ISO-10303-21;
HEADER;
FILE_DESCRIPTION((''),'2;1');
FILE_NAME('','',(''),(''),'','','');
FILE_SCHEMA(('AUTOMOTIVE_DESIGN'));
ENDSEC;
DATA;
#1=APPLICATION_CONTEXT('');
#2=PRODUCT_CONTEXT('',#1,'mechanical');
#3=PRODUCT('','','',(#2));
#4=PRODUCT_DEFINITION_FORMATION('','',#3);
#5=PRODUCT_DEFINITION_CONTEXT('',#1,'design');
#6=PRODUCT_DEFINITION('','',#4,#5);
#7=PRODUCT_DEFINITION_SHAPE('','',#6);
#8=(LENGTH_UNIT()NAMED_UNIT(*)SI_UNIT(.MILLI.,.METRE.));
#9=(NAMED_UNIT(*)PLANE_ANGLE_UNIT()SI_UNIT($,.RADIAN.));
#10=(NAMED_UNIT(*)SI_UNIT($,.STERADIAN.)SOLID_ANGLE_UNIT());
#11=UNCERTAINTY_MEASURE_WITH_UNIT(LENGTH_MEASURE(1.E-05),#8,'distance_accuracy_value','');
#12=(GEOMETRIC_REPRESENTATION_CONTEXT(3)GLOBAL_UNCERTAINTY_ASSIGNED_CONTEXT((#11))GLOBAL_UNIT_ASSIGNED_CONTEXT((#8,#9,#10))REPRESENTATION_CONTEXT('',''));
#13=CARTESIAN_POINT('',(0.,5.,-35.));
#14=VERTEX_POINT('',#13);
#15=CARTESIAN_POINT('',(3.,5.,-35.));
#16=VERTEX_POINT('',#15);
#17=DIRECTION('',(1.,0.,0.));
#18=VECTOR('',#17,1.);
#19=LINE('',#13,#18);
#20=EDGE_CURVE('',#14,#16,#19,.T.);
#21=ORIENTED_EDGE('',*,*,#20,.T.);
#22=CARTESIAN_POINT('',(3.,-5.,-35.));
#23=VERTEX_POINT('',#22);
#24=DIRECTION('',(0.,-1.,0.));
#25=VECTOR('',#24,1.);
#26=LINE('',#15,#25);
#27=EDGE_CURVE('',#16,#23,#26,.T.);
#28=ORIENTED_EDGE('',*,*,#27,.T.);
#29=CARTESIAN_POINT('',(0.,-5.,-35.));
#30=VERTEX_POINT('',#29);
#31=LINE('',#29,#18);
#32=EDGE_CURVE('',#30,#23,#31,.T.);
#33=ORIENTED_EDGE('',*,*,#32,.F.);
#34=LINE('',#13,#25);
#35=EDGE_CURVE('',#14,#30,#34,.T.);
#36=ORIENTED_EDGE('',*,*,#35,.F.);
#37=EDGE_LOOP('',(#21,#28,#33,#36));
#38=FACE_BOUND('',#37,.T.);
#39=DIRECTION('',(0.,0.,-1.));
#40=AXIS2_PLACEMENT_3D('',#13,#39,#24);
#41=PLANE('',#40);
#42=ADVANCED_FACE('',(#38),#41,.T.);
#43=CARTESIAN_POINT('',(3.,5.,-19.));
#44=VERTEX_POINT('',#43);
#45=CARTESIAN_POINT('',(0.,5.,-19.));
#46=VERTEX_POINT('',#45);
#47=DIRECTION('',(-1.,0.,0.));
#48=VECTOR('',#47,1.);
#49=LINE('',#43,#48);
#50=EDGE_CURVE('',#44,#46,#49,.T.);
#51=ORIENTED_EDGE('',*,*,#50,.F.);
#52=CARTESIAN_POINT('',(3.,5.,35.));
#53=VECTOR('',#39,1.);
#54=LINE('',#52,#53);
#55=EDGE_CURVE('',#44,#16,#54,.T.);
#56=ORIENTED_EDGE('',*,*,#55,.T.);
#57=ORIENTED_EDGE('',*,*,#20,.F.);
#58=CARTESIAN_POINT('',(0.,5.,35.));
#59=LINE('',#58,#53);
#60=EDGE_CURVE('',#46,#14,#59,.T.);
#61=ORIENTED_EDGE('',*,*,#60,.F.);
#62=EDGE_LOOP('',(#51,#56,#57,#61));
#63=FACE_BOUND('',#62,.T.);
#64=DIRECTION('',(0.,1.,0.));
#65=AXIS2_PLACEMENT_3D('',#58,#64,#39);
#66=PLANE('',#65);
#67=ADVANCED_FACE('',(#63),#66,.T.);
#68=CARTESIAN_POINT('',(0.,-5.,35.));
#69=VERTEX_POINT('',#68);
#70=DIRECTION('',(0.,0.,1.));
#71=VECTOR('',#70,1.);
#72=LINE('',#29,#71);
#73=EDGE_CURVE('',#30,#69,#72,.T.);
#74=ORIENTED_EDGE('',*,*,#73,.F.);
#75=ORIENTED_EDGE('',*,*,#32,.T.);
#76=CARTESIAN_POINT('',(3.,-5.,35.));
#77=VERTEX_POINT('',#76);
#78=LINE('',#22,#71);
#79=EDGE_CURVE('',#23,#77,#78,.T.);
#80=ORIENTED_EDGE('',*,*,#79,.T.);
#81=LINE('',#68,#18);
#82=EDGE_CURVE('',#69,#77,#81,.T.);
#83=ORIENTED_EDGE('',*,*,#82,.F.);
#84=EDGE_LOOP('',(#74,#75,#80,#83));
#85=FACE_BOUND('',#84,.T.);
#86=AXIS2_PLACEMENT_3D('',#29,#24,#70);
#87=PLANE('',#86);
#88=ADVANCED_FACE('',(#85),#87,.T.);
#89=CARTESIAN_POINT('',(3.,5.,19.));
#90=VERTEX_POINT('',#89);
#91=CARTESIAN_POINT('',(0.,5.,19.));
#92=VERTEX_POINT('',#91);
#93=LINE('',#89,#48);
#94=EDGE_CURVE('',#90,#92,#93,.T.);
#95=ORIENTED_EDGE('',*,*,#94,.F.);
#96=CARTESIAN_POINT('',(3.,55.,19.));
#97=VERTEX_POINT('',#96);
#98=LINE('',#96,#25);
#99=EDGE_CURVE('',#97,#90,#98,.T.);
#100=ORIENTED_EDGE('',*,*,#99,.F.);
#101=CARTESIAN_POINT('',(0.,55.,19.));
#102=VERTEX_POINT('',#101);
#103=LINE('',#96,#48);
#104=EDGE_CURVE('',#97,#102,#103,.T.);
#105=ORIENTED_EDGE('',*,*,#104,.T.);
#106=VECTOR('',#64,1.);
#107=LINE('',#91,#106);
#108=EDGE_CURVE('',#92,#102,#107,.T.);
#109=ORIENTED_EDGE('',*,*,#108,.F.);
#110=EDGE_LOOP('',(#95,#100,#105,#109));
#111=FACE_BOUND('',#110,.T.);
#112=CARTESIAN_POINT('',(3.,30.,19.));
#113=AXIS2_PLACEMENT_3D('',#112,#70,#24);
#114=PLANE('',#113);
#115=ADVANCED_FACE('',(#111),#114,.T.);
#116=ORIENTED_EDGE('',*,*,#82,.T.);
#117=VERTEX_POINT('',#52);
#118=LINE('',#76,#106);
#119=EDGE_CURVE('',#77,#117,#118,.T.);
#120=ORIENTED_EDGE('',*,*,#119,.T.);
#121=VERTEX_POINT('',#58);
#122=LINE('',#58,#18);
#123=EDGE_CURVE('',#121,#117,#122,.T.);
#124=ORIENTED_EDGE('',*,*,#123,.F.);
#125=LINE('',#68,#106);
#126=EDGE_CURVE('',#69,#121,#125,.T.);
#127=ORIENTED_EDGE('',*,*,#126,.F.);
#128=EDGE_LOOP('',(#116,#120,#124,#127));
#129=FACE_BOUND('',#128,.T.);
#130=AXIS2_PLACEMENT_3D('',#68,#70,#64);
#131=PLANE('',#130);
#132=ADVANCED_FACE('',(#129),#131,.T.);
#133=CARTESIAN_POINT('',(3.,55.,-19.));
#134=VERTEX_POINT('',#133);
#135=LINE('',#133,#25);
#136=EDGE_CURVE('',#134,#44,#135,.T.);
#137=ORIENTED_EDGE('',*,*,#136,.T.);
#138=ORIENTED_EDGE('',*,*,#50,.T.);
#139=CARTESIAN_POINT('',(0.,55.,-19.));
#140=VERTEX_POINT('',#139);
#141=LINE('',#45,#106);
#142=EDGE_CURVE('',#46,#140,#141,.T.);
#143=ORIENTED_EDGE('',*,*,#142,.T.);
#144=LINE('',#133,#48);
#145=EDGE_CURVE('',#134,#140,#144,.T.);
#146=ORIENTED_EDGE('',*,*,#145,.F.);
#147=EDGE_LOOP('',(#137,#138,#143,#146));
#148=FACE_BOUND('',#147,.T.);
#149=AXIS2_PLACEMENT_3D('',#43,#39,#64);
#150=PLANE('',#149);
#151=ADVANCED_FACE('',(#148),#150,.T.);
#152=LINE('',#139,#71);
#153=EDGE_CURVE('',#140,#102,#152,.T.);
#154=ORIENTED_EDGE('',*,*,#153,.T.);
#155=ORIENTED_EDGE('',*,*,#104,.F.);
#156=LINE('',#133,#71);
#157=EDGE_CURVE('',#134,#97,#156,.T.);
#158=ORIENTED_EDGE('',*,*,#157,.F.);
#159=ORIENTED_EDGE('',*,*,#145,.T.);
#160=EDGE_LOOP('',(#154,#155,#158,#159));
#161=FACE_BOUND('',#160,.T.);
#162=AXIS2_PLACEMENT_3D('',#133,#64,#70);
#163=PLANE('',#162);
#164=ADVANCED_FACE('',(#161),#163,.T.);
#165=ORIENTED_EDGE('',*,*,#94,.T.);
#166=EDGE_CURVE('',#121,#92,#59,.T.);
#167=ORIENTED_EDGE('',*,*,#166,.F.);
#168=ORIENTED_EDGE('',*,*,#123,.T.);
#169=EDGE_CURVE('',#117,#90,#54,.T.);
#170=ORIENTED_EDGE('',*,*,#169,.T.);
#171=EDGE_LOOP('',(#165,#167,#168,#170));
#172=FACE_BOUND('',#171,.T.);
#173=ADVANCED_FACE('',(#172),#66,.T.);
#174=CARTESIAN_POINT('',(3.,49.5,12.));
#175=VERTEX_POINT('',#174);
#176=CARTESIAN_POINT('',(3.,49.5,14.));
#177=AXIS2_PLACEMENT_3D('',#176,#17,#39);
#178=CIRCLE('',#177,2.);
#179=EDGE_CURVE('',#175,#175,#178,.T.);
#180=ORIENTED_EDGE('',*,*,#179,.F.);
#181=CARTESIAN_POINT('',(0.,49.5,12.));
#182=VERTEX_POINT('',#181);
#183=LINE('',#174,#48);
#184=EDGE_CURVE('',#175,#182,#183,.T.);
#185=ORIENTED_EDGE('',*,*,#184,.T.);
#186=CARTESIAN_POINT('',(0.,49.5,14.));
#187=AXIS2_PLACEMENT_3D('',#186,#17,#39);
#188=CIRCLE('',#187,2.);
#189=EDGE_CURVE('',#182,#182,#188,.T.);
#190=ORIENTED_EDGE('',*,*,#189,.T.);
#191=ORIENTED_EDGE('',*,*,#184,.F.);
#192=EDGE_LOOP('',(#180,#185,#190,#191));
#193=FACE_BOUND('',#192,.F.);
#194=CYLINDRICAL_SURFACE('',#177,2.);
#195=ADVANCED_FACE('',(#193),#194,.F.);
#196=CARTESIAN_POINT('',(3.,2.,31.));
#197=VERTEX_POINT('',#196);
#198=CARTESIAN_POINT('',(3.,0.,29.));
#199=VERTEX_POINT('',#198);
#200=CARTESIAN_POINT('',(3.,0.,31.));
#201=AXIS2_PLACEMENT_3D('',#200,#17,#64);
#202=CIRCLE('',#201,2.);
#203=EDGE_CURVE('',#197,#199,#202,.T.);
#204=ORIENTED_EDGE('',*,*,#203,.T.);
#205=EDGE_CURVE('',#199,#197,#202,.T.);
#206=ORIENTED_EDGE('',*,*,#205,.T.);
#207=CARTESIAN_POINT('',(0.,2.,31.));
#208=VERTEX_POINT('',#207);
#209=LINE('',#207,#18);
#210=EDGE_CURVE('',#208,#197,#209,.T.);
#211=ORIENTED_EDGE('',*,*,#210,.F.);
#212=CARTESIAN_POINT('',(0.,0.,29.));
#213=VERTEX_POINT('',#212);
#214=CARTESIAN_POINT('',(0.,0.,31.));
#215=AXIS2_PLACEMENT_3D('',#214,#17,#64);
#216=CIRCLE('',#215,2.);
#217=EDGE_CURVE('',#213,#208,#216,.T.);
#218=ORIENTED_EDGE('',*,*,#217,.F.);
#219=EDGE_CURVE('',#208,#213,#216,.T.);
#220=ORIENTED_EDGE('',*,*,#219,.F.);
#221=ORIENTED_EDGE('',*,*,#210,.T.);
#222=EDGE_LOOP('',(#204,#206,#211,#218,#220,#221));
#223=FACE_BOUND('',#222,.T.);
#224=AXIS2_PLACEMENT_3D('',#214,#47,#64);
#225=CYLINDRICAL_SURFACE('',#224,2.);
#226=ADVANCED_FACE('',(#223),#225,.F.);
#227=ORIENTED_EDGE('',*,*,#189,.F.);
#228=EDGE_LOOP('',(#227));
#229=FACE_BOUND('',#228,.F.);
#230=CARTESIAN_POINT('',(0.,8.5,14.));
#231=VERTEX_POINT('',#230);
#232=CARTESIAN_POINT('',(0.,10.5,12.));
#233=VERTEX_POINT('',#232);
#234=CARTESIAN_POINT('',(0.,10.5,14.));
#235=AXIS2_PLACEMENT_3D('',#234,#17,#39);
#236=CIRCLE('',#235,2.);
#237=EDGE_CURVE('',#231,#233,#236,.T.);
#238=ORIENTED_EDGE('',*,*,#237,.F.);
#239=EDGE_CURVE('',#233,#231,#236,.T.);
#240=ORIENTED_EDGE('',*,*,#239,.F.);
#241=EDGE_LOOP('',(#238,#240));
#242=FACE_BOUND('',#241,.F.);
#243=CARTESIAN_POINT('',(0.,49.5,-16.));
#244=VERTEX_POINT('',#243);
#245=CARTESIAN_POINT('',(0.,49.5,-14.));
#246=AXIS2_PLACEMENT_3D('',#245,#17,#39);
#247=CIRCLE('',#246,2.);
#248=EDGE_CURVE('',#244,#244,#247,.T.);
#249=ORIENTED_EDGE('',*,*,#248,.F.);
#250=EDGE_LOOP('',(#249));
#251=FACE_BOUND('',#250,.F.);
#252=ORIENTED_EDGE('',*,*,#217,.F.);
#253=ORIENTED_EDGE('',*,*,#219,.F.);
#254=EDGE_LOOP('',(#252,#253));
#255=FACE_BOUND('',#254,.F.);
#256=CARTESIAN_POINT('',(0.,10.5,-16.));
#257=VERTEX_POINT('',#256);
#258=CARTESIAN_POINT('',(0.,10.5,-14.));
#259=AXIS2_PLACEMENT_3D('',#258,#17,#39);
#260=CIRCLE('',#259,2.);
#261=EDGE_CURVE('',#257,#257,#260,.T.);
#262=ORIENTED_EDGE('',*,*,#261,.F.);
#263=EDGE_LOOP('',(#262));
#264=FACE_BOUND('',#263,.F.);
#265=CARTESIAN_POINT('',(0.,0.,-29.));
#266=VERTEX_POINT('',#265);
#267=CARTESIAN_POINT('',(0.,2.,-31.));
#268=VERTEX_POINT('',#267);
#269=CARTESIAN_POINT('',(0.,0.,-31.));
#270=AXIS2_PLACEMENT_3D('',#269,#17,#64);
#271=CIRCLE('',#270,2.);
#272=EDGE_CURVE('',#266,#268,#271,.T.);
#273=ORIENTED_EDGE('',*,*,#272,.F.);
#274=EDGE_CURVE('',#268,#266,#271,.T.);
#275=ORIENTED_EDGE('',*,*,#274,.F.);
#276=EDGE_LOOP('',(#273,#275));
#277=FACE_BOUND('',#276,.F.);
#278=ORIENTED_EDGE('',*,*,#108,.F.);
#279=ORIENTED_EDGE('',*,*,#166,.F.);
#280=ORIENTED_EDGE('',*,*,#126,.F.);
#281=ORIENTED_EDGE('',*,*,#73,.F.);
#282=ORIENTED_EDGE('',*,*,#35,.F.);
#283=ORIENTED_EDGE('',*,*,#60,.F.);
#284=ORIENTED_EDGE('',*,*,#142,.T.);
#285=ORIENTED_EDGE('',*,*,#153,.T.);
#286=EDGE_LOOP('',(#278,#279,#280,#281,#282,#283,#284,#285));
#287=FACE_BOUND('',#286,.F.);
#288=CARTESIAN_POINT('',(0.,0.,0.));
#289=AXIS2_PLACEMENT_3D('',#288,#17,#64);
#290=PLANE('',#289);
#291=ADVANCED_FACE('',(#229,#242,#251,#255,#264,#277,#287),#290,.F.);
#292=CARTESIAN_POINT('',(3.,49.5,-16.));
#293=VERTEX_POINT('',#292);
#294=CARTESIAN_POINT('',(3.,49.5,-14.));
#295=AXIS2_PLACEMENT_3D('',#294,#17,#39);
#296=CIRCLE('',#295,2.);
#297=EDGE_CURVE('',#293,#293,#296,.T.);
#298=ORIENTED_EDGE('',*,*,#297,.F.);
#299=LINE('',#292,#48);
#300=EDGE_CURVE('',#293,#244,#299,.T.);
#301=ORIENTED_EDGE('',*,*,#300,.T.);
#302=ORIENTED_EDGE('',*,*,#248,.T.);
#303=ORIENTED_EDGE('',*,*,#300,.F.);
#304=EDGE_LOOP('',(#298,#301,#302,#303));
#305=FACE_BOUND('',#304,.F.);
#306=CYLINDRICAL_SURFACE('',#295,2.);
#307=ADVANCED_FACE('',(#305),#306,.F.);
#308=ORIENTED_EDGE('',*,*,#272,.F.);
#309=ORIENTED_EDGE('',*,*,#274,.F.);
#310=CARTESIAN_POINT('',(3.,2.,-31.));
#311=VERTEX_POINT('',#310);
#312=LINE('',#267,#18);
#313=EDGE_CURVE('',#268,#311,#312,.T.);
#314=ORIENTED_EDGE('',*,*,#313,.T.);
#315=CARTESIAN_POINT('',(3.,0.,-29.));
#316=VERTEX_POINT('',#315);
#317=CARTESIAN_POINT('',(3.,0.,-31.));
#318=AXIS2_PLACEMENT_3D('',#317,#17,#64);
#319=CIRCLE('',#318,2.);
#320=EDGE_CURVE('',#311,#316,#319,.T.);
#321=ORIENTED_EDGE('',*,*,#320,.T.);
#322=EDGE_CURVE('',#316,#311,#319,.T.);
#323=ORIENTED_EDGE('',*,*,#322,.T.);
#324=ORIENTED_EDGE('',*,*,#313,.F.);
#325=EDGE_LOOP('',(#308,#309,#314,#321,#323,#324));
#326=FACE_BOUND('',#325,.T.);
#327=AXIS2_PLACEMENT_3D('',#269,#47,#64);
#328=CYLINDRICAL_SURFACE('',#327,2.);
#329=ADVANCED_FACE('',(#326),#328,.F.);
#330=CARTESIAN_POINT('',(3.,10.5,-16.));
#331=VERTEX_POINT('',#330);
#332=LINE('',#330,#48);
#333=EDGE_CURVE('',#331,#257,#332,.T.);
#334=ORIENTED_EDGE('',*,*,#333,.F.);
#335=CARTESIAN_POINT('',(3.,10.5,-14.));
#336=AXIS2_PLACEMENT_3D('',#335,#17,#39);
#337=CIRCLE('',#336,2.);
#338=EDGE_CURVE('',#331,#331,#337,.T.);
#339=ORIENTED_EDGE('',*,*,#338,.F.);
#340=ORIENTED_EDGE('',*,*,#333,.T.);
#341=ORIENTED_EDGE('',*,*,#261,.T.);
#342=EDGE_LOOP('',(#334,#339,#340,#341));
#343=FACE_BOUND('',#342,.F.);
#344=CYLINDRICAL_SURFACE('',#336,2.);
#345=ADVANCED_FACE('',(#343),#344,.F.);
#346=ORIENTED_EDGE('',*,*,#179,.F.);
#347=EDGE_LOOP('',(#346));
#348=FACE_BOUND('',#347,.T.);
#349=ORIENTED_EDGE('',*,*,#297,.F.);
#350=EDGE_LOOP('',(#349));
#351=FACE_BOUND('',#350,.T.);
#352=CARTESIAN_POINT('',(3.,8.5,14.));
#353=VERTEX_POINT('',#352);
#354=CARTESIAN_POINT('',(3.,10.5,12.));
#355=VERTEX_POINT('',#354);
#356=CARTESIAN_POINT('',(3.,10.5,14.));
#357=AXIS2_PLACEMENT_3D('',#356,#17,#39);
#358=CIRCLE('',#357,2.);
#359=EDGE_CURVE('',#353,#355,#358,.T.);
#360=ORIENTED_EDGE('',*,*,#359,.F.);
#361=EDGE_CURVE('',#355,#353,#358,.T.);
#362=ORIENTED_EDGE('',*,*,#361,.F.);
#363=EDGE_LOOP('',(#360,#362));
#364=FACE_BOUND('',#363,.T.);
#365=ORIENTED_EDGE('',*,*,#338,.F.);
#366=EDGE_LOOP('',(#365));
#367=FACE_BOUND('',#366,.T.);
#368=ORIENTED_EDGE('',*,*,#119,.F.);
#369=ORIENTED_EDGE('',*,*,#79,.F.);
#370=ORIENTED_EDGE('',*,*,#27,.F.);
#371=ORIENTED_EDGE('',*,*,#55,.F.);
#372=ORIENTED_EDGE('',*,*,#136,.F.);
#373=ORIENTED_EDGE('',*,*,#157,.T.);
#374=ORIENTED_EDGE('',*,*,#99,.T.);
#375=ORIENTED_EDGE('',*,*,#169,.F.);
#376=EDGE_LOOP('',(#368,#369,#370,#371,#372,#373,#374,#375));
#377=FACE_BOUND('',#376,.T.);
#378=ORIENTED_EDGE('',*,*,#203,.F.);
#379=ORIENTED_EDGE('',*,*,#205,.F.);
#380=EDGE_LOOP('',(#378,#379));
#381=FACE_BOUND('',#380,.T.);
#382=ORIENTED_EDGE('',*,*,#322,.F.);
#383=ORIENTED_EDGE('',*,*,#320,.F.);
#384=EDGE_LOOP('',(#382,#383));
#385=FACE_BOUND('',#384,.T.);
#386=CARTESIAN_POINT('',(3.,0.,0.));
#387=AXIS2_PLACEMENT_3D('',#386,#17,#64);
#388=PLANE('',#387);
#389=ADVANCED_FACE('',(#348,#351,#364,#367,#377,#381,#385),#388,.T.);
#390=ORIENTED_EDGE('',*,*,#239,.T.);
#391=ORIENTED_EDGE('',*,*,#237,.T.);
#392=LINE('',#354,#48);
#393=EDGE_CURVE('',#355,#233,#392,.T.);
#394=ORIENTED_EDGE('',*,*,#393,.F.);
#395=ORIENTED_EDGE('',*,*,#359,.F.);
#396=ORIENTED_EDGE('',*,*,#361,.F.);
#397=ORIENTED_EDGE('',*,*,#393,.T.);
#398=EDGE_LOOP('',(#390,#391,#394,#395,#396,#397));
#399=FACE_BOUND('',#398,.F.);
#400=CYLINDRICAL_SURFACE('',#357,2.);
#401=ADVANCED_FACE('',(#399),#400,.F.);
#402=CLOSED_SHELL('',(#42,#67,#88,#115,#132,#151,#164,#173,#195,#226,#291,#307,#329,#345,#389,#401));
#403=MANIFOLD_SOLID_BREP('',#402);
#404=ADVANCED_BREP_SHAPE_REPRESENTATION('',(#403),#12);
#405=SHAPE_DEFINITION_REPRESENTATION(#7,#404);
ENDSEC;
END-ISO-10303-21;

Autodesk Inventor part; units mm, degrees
ref_plane "YZ Plane" through (0, 0, 0) normal (1, 0, 0) x (0, 1, 0)
ref_plane "XZ Plane" through (0, 0, 0) normal (0, 1, 0) x (-1, 0, 0)
ref_plane "XY Plane" through (0, 0, 0) normal (0, 0, 1) x (1, 0, 0)
sketch "Эскиз1" plane through (0, 0, 0) normal (1, 0, 0) x (0, 1, 0)
  line L0 (0, 0) -> (0, 31)
  line L1 (0, 0) -> (0, -31)
  circle A0 centre (0, 31) radius 2
  circle A1 centre (0, -31) radius 2
  line L2 (-5, 35) -> (5, 35)
  line L3 (5, 35) -> (5, -35)
  line L4 (5, -35) -> (-5, -35)
  line L5 (-5, -35) -> (-5, 35)
  line L6 (-5, 35) -> (5, -35) construction
  line L7 (5, 35) -> (-5, -35) construction
  dimension "d0" = 31
  dimension "d1" = 31
  dimension "d2" = 4
  dimension "d3" = 4
  dimension "d4" = 10
  dimension "d5" = 70
extrude "Выдавливание1" add sketch "Эскиз1" along normal blind 3
sketch "Эскиз2" plane through (3, 0, 0) normal (1, 0, 0) x (0, 0, -1)
  line L0 (35, 5) -> (-35, 5) projected
  line L1 (0, 5) -> (-14, 5)
  line L2 (-14, 5) -> (14, 5)
  line L3 (-14, 5) -> (-14, 10.5)
  line L4 (-14, 5) -> (-19, 5)
  line L5 (-19, 5) -> (19, 5)
  line L6 (19, 5) -> (19, 55)
  line L7 (19, 55) -> (-19, 55)
  line L8 (-19, 55) -> (-19, 5)
  circle A0 centre (-14, 10.5) radius 2
  line L9 (19, 30) -> (-19, 30)
  line L10 (0, 30) -> (0, 26.3042)
  circle A1 centre (14, 10.5) radius 2
  circle A2 centre (-14, 49.5) radius 2
  circle A3 centre (14, 49.5) radius 2
  point P0 (0, 0)
  dimension "d8" = 14
  dimension "d9" = 28
  dimension "d10" = 5.5
  dimension "d11" = 5
  dimension "d12" = 38
  dimension "d13" = 50
  dimension "d14" = 4
extrude "Выдавливание2" add sketch "Эскиз2" against normal blind 3
equation "\"d1\" = d0"
properties part number "КВ33.044.704 - Панель установки принимающей платы оси Y"
